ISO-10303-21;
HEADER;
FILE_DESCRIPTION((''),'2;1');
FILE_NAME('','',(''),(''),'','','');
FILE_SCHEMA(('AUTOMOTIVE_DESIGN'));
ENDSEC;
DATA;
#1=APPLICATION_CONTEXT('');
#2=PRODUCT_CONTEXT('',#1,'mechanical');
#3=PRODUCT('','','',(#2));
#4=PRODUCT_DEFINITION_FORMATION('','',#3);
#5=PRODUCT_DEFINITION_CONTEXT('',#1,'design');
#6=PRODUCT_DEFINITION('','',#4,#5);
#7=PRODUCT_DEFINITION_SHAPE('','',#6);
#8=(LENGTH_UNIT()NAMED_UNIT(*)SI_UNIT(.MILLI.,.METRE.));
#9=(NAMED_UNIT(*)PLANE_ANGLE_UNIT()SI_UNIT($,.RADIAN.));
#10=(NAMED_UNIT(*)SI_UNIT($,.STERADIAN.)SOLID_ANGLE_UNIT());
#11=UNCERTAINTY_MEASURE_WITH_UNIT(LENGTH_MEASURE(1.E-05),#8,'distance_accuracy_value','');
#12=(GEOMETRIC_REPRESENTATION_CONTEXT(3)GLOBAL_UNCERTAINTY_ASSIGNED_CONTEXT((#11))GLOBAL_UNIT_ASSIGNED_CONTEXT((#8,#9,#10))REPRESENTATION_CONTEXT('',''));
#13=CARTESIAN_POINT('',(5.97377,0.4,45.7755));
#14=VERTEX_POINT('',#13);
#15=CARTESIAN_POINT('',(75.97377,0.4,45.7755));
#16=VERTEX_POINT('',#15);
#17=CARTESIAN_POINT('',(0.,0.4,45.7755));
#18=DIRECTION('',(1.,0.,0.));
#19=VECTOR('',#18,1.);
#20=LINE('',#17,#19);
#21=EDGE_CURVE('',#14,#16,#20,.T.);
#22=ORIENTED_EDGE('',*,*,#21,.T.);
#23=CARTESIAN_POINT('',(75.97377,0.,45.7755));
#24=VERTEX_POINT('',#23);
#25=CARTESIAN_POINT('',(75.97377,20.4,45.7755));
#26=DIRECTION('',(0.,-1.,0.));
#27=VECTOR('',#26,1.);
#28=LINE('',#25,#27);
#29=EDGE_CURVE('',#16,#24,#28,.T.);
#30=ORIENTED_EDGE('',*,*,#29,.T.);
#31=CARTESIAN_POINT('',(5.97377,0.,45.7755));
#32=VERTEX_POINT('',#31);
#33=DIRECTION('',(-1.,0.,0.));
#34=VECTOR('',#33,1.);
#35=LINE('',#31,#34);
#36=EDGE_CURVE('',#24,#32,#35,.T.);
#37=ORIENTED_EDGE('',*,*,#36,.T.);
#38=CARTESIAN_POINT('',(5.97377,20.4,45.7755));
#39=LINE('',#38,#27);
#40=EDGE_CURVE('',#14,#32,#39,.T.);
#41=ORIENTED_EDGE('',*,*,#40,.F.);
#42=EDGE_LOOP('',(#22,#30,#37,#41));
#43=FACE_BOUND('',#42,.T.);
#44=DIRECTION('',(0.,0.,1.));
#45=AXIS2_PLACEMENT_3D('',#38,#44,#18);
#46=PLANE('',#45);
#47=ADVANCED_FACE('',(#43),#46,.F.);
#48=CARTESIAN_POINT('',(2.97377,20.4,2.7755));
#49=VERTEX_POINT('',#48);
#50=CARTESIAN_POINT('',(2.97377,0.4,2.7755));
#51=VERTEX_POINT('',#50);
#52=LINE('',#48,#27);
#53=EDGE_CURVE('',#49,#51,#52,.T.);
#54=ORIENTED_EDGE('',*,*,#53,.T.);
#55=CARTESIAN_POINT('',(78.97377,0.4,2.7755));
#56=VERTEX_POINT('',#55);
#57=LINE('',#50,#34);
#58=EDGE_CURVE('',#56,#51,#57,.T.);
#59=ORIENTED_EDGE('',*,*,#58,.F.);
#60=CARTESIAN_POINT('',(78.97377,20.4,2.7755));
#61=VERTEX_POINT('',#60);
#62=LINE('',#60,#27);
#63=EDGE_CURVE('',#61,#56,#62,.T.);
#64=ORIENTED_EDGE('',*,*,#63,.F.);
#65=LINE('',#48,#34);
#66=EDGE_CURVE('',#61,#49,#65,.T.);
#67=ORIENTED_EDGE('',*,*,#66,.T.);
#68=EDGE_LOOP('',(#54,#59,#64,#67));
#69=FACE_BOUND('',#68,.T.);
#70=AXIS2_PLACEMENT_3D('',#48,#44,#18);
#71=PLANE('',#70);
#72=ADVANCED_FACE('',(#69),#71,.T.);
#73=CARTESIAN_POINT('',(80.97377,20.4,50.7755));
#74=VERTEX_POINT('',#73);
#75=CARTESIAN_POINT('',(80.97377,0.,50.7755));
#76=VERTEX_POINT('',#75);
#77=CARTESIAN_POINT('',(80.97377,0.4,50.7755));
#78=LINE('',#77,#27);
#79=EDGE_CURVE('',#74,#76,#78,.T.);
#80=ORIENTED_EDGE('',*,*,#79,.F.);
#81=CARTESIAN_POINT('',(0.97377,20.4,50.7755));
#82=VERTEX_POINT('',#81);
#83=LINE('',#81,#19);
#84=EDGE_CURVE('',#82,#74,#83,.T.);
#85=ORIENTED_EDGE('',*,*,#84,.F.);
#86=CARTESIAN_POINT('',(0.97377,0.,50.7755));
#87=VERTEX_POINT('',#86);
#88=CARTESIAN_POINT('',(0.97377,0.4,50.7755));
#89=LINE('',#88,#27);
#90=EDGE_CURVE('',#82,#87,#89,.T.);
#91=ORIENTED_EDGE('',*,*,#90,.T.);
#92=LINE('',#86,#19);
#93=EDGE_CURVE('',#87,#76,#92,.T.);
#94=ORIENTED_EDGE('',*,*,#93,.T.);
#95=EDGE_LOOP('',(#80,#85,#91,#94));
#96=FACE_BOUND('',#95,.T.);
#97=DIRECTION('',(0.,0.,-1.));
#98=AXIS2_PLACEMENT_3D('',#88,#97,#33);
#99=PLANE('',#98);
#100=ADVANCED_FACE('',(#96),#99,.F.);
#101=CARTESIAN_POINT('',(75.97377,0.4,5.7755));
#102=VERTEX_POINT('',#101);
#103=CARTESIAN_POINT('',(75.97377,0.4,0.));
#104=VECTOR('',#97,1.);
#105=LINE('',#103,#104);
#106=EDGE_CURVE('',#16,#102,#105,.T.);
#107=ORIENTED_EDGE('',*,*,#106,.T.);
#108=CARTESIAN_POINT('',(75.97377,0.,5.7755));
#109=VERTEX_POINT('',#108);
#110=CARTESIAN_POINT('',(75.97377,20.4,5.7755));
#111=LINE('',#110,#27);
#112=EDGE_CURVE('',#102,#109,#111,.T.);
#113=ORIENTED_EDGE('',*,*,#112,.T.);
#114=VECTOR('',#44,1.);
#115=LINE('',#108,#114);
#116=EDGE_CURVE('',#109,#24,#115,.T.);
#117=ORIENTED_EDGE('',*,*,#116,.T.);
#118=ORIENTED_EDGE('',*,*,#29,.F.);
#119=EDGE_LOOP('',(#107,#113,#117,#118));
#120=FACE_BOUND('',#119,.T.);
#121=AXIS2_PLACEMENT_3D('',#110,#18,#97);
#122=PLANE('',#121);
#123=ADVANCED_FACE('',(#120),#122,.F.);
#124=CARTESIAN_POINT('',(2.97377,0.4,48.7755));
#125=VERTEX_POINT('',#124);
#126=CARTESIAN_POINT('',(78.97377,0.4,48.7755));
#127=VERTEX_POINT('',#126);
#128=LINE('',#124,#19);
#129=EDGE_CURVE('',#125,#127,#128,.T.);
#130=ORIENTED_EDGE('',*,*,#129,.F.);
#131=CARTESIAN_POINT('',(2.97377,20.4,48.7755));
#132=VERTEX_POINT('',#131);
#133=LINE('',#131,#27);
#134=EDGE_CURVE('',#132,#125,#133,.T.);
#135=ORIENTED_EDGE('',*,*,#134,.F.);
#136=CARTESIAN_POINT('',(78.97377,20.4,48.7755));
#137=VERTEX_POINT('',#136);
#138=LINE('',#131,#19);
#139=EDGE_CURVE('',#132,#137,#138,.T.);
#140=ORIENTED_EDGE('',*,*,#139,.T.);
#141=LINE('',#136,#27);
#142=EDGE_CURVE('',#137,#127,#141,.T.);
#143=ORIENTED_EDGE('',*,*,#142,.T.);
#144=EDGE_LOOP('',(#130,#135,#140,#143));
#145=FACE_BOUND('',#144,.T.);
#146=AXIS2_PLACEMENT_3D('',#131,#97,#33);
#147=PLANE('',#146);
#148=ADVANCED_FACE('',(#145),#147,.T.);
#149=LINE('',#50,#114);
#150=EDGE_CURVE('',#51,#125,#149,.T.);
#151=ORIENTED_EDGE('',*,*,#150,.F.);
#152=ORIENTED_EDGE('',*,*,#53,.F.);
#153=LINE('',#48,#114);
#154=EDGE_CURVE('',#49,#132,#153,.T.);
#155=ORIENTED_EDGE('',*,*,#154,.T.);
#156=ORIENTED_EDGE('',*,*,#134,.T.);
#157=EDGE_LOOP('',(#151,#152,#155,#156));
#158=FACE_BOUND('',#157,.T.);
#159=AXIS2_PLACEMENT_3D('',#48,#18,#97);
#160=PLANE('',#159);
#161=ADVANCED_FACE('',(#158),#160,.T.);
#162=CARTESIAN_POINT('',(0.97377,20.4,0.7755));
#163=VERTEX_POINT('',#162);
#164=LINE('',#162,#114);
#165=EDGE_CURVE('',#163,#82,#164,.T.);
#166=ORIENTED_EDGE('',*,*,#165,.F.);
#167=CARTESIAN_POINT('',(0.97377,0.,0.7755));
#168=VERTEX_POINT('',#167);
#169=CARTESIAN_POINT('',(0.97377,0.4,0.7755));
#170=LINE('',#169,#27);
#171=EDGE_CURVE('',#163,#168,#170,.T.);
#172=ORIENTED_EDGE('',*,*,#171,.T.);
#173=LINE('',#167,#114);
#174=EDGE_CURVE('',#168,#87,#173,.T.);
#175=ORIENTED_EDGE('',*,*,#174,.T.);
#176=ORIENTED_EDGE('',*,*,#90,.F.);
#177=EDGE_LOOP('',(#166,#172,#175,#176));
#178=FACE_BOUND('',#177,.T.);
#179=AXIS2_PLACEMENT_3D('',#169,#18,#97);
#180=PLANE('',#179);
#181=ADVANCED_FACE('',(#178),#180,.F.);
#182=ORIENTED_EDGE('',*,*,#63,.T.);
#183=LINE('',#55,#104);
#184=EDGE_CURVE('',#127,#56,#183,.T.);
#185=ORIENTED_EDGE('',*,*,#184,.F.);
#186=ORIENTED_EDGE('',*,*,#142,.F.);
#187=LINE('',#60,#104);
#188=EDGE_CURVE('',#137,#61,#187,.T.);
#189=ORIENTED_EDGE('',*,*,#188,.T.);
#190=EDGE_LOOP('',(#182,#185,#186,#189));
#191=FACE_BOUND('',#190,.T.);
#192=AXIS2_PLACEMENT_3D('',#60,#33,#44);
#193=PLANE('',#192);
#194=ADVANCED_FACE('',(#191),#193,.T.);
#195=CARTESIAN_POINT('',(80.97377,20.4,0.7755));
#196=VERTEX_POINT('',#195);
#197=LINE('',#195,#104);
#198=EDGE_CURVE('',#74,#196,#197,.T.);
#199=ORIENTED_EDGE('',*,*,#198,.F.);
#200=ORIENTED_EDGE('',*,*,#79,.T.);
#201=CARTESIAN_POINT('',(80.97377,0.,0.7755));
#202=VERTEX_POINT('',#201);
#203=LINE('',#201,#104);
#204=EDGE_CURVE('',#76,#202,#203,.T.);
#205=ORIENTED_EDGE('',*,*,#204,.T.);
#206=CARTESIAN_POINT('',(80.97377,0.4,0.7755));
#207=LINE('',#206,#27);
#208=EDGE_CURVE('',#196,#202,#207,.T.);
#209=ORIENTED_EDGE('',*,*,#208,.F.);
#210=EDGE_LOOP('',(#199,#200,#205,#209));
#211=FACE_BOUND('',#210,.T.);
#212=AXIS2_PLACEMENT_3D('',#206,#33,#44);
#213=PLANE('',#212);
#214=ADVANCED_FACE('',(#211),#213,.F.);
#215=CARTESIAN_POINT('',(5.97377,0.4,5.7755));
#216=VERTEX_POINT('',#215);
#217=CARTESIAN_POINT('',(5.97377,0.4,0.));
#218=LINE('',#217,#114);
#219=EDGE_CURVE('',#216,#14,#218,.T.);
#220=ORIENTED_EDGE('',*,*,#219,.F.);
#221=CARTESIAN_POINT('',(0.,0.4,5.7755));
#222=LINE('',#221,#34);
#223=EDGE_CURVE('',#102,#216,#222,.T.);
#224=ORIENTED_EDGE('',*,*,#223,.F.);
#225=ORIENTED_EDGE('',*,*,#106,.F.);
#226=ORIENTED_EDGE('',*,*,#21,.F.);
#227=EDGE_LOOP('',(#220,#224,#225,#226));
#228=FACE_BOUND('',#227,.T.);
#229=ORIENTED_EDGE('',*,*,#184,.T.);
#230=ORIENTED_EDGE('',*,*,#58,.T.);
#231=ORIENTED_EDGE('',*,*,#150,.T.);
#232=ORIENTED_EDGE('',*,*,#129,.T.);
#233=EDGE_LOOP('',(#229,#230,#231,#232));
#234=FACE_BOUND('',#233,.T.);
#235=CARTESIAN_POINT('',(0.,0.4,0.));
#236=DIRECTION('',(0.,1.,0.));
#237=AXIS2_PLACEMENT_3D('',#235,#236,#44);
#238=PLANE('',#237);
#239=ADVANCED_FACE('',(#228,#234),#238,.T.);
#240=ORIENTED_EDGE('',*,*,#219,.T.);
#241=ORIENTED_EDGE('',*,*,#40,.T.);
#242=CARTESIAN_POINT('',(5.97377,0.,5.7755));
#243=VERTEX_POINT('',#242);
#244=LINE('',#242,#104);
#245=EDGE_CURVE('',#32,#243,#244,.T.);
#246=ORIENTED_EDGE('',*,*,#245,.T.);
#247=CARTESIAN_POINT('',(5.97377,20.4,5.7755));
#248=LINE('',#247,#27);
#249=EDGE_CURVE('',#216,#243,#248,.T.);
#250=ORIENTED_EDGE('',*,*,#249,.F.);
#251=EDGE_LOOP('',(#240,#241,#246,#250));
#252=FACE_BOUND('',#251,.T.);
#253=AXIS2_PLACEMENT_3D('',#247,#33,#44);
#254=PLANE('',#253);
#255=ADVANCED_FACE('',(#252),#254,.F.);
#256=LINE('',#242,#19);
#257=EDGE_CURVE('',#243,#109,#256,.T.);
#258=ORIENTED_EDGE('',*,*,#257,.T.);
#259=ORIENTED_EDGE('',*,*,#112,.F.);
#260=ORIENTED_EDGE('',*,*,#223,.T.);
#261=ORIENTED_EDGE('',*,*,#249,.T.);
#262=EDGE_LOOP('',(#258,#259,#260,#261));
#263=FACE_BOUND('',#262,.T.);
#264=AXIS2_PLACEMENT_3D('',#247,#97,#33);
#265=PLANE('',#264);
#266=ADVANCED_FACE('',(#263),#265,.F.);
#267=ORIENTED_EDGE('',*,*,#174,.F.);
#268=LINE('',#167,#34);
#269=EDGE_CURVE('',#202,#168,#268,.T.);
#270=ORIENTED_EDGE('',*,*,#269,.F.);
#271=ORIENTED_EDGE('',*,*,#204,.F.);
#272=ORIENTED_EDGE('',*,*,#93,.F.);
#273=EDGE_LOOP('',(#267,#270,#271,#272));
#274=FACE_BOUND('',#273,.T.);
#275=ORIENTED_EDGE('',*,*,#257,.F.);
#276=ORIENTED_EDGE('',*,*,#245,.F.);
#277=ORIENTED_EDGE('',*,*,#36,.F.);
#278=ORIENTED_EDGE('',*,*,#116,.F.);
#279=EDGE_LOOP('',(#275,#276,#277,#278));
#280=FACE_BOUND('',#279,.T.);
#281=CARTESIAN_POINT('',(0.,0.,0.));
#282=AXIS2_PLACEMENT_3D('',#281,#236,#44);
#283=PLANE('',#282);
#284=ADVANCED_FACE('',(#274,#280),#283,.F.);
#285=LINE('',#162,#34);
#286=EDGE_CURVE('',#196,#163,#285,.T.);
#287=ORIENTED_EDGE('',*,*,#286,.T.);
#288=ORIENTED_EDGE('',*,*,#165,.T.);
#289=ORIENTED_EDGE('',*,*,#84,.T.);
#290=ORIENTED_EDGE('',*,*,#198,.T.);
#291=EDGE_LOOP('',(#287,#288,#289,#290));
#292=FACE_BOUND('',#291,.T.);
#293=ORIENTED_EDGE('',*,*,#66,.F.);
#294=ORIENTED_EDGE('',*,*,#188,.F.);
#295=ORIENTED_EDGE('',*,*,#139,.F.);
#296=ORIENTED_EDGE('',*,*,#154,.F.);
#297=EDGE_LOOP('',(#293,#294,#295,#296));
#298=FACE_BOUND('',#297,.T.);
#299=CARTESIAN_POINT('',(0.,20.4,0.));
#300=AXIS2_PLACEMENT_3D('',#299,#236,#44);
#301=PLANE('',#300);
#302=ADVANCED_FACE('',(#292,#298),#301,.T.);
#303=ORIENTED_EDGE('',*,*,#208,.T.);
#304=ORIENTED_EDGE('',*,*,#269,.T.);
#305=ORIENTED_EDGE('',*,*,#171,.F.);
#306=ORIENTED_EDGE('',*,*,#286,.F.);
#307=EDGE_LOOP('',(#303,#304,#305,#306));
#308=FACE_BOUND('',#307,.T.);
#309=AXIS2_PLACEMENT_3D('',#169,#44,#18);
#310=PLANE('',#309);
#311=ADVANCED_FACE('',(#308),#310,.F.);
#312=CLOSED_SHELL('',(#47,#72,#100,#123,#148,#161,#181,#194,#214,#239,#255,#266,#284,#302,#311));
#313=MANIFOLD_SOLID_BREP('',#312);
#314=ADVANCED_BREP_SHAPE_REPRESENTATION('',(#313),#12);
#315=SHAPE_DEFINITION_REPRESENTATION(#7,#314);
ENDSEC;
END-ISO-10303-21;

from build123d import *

# Parameters (mm, degrees)
SKETCH1_W           = 80
SKETCH1_H           = 50
BOSS_EXTRUDE1_DEPTH = 0.4
SKETCH2_W           = 80
SKETCH2_H           = 50
SKETCH2_W_2         = 76
SKETCH2_H_2         = 46
BOSS_EXTRUDE2_DEPTH = 20
SKETCH3_W           = 70
SKETCH3_H           = 40
CUT_EXTRUDE1_DEPTH  = 98.729539691


with BuildPart() as part:
    # Sketch1 → Boss-Extrude1 (new body)
    with BuildSketch(Plane(origin=(0, 0, 0), x_dir=(1, 0, 0), z_dir=(0, 1, 0))):
        with Locations((40.973770478, -25.775500222)):
            Rectangle(SKETCH1_W, SKETCH1_H)
    extrude(amount=BOSS_EXTRUDE1_DEPTH)

    # Sketch2 → Boss-Extrude2 (add)
    with BuildSketch(Plane(origin=(0, 0.4, 0), x_dir=(1, 0, 0), z_dir=(0, 1, 0))):
        with Locations((40.973770478, -25.775500222)):
            Rectangle(SKETCH2_W, SKETCH2_H)
        with Locations((40.973770478, -25.775500222)):
            Rectangle(SKETCH2_W_2, SKETCH2_H_2, mode=Mode.SUBTRACT)
    extrude(amount=BOSS_EXTRUDE2_DEPTH)

    # Sketch3 → Cut-Extrude1 (cut, through all)
    with BuildSketch(Plane(origin=(0, 0, 0), x_dir=(-1, 0, 0), z_dir=(0, -1, 0))):
        with Locations((-40.973770478, -25.775500222)):
            Rectangle(SKETCH3_W, SKETCH3_H)
    extrude(amount=-CUT_EXTRUDE1_DEPTH, mode=Mode.SUBTRACT)


solid = part.part
